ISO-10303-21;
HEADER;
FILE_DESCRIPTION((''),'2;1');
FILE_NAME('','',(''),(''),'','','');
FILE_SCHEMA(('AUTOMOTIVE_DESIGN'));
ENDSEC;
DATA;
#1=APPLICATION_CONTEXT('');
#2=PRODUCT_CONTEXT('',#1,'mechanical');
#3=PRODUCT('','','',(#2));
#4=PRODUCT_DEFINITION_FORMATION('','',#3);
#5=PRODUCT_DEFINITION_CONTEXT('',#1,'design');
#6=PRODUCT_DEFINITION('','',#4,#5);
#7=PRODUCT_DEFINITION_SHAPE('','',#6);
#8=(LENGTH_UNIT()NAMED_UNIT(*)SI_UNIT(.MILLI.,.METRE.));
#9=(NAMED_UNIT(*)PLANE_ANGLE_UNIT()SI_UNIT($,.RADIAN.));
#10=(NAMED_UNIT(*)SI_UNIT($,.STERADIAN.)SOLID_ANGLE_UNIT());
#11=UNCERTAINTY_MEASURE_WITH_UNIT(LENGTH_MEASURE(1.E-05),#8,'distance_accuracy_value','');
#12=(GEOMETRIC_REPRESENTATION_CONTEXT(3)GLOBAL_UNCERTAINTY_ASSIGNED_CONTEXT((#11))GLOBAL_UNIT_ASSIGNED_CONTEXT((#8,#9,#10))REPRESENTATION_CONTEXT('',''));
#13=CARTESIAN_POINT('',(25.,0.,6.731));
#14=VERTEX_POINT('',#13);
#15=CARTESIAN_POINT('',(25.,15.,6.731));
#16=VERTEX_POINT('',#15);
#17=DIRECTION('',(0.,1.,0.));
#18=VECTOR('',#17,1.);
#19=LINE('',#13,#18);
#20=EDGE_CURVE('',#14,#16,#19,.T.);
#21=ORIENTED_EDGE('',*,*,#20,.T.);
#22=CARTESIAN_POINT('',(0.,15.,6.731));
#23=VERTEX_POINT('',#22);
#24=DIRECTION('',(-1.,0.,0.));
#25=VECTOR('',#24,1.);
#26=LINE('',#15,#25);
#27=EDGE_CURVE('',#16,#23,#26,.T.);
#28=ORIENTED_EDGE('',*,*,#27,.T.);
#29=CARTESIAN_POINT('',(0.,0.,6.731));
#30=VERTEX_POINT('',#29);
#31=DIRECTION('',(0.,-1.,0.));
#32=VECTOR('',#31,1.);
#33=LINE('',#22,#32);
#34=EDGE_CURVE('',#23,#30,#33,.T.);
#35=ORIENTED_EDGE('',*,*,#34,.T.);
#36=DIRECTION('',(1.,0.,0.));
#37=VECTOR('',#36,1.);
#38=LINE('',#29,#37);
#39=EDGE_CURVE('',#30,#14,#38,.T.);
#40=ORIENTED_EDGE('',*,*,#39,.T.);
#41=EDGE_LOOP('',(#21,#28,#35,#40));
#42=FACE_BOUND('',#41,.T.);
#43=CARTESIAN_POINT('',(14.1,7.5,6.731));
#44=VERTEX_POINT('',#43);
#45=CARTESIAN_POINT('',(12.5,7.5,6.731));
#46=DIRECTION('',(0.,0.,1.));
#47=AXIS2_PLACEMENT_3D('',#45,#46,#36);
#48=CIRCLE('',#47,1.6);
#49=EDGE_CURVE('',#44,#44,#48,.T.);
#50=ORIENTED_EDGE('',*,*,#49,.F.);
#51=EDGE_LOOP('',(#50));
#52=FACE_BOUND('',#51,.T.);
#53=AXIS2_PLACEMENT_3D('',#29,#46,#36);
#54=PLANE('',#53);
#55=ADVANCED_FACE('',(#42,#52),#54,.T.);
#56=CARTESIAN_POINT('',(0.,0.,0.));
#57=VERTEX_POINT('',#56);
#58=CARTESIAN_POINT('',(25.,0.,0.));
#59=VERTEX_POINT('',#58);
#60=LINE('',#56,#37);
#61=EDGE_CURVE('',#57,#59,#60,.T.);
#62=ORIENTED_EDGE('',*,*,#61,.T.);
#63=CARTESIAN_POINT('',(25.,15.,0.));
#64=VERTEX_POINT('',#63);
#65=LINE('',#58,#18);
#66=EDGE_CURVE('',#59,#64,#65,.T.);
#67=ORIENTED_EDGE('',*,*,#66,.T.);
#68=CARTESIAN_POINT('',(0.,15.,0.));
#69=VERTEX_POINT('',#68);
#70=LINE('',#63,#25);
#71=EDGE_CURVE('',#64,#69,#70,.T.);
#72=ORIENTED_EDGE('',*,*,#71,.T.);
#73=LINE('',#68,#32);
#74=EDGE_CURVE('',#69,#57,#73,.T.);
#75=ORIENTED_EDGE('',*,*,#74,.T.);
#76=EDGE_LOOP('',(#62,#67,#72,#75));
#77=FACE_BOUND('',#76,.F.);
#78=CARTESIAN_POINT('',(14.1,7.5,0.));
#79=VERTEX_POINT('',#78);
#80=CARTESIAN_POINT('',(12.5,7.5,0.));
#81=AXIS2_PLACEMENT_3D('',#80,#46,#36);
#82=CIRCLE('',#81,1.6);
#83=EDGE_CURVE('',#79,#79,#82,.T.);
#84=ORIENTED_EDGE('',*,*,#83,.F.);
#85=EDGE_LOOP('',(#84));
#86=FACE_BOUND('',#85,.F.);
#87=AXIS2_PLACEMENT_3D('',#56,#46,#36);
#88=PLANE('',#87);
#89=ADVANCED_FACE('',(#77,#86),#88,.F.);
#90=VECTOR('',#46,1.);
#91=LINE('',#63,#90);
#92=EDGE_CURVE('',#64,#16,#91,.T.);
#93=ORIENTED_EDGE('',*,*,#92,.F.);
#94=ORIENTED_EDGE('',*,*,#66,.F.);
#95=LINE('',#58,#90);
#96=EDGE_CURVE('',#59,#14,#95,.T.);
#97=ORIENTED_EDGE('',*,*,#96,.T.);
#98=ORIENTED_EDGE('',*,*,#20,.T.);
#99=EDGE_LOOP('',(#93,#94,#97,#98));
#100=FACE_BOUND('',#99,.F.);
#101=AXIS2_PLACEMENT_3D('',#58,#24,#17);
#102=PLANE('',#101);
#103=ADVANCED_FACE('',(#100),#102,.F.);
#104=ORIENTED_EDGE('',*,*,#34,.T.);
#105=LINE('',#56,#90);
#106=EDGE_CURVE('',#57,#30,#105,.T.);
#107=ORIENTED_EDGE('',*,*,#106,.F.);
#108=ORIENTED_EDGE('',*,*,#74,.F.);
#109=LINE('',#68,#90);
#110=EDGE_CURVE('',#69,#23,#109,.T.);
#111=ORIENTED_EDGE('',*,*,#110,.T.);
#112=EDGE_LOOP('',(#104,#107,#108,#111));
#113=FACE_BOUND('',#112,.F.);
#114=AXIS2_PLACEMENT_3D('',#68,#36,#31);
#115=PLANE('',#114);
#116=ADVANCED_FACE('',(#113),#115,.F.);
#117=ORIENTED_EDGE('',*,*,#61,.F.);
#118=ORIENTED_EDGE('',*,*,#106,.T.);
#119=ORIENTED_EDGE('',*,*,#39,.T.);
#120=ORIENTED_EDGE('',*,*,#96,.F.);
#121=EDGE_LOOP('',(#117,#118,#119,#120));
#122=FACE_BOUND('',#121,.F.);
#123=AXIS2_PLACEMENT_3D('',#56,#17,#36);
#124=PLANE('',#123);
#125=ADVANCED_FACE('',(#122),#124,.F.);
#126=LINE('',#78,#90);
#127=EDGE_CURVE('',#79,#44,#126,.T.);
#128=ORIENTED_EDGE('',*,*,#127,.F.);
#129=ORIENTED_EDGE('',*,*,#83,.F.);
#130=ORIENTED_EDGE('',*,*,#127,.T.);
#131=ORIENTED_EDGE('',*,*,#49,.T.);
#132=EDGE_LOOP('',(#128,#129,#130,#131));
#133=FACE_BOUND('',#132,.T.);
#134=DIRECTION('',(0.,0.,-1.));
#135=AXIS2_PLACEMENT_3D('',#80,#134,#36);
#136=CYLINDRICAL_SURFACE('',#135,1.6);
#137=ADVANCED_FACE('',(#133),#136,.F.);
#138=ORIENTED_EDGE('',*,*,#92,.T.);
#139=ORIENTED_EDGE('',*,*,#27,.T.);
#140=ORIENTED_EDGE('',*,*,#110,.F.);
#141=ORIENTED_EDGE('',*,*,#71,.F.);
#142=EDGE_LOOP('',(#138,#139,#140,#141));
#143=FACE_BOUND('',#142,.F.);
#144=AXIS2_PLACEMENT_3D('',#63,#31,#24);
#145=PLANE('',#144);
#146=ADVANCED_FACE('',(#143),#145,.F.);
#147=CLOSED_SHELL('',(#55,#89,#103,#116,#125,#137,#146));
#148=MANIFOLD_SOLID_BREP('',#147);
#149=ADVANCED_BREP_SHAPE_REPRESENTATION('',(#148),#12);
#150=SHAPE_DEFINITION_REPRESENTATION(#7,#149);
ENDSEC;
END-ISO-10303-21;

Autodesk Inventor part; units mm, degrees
ref_plane "YZ Plane" through (0, 0, 0) normal (1, 0, 0) x (0, 1, 0)
ref_plane "XZ Plane" through (0, 0, 0) normal (0, 1, 0) x (-1, 0, 0)
ref_plane "XY Plane" through (0, 0, 0) normal (0, 0, 1) x (1, 0, 0)
sketch "Sketch1" plane through (0, 0, 0) normal (0, 0, 1) x (1, 0, 0)
  line L0 (0, 0) -> (25, 0)
  line L1 (25, 0) -> (25, 15)
  line L2 (25, 15) -> (0, 15)
  line L3 (0, 15) -> (0, 0)
  circle A0 centre (12.5, 7.5) radius 1.6
  point P0 (0, 7.5)
  point P1 (12.5, 15)
  dimension "d1" = 15
  dimension "d2" = 25
  dimension "d4" = 3.2
extrude "Extrusion1" add sketch "Sketch1" along normal blind 6.731
equation "\"d10\" = THICKB"
equation "\"THICKA\" = 3.175"
equation "\"THICKB\" = 6.731"
equation "\"THICKC\" = 12.7"
equation "\"MAGDIA\" = 9.5"
equation "\"BALLDIA\" = 12"
equation "\"THICKPLY\" = 5"
properties part number "Frame_Upper_Plate_Pulley_B"
